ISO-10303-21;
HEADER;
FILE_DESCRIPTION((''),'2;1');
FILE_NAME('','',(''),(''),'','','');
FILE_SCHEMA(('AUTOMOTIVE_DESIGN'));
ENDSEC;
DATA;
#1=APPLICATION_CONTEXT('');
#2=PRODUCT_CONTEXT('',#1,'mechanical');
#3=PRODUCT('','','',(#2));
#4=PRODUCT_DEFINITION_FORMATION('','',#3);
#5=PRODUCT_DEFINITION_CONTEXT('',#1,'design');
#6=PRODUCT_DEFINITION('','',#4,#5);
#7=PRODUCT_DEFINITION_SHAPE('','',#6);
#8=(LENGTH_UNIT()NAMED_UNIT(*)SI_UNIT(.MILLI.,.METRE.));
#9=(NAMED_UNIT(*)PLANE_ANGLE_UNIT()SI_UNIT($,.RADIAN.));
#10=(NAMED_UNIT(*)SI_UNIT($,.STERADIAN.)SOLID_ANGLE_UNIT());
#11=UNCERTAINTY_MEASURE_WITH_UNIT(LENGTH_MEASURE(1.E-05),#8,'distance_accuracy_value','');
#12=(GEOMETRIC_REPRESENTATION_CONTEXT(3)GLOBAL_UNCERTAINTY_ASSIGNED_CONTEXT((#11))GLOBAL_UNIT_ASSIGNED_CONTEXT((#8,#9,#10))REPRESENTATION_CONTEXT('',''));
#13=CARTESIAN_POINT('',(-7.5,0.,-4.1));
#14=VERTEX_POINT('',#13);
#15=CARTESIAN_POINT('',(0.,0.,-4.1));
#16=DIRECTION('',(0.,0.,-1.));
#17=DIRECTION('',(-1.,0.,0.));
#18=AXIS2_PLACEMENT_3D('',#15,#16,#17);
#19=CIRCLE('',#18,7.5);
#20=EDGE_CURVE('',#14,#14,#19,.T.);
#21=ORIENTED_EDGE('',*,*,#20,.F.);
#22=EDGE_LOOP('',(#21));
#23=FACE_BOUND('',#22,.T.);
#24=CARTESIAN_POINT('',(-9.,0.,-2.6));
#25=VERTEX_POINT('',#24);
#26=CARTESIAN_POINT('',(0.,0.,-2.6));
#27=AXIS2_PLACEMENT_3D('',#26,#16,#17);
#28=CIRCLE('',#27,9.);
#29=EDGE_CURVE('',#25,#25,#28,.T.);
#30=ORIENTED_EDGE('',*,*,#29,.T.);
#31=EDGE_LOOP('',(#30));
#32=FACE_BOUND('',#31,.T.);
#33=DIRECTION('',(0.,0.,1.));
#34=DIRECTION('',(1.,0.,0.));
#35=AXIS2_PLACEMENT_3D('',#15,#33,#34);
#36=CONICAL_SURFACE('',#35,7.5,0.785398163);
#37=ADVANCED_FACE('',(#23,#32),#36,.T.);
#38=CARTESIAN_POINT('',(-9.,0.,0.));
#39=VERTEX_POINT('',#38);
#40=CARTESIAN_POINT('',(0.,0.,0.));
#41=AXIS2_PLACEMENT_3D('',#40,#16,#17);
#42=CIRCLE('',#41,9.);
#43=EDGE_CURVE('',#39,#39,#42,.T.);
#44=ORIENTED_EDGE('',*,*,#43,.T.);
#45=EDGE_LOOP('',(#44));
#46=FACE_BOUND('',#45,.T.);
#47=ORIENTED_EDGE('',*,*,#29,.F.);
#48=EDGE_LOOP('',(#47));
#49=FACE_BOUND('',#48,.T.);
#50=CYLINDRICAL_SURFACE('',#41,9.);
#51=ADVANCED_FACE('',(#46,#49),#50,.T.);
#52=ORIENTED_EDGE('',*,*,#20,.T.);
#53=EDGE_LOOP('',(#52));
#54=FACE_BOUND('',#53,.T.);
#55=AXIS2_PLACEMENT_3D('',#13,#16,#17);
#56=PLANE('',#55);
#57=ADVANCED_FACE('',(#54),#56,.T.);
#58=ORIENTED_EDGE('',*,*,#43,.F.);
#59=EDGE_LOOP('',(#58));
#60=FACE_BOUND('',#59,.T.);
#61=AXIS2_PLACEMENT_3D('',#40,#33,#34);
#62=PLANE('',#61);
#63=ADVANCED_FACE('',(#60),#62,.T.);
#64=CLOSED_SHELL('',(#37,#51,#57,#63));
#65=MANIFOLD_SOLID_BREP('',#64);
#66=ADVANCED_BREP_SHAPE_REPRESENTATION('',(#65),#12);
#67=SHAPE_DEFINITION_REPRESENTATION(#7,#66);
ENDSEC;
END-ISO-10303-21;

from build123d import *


with BuildPart() as part:
    # Sketch1 → Revolve1 (revolve)
    with BuildSketch(Plane(origin=(0, 0, 0), x_dir=(1, 0, 0), z_dir=(0, 1, 0))):
        Polygon((0, 0), (-9, 0), (-9, 2.6), (-7.5, 4.1), (0, 4.1), align=None)
    revolve(axis=Axis((0, 0, 0), (0, 0, 1)))


solid = part.part
